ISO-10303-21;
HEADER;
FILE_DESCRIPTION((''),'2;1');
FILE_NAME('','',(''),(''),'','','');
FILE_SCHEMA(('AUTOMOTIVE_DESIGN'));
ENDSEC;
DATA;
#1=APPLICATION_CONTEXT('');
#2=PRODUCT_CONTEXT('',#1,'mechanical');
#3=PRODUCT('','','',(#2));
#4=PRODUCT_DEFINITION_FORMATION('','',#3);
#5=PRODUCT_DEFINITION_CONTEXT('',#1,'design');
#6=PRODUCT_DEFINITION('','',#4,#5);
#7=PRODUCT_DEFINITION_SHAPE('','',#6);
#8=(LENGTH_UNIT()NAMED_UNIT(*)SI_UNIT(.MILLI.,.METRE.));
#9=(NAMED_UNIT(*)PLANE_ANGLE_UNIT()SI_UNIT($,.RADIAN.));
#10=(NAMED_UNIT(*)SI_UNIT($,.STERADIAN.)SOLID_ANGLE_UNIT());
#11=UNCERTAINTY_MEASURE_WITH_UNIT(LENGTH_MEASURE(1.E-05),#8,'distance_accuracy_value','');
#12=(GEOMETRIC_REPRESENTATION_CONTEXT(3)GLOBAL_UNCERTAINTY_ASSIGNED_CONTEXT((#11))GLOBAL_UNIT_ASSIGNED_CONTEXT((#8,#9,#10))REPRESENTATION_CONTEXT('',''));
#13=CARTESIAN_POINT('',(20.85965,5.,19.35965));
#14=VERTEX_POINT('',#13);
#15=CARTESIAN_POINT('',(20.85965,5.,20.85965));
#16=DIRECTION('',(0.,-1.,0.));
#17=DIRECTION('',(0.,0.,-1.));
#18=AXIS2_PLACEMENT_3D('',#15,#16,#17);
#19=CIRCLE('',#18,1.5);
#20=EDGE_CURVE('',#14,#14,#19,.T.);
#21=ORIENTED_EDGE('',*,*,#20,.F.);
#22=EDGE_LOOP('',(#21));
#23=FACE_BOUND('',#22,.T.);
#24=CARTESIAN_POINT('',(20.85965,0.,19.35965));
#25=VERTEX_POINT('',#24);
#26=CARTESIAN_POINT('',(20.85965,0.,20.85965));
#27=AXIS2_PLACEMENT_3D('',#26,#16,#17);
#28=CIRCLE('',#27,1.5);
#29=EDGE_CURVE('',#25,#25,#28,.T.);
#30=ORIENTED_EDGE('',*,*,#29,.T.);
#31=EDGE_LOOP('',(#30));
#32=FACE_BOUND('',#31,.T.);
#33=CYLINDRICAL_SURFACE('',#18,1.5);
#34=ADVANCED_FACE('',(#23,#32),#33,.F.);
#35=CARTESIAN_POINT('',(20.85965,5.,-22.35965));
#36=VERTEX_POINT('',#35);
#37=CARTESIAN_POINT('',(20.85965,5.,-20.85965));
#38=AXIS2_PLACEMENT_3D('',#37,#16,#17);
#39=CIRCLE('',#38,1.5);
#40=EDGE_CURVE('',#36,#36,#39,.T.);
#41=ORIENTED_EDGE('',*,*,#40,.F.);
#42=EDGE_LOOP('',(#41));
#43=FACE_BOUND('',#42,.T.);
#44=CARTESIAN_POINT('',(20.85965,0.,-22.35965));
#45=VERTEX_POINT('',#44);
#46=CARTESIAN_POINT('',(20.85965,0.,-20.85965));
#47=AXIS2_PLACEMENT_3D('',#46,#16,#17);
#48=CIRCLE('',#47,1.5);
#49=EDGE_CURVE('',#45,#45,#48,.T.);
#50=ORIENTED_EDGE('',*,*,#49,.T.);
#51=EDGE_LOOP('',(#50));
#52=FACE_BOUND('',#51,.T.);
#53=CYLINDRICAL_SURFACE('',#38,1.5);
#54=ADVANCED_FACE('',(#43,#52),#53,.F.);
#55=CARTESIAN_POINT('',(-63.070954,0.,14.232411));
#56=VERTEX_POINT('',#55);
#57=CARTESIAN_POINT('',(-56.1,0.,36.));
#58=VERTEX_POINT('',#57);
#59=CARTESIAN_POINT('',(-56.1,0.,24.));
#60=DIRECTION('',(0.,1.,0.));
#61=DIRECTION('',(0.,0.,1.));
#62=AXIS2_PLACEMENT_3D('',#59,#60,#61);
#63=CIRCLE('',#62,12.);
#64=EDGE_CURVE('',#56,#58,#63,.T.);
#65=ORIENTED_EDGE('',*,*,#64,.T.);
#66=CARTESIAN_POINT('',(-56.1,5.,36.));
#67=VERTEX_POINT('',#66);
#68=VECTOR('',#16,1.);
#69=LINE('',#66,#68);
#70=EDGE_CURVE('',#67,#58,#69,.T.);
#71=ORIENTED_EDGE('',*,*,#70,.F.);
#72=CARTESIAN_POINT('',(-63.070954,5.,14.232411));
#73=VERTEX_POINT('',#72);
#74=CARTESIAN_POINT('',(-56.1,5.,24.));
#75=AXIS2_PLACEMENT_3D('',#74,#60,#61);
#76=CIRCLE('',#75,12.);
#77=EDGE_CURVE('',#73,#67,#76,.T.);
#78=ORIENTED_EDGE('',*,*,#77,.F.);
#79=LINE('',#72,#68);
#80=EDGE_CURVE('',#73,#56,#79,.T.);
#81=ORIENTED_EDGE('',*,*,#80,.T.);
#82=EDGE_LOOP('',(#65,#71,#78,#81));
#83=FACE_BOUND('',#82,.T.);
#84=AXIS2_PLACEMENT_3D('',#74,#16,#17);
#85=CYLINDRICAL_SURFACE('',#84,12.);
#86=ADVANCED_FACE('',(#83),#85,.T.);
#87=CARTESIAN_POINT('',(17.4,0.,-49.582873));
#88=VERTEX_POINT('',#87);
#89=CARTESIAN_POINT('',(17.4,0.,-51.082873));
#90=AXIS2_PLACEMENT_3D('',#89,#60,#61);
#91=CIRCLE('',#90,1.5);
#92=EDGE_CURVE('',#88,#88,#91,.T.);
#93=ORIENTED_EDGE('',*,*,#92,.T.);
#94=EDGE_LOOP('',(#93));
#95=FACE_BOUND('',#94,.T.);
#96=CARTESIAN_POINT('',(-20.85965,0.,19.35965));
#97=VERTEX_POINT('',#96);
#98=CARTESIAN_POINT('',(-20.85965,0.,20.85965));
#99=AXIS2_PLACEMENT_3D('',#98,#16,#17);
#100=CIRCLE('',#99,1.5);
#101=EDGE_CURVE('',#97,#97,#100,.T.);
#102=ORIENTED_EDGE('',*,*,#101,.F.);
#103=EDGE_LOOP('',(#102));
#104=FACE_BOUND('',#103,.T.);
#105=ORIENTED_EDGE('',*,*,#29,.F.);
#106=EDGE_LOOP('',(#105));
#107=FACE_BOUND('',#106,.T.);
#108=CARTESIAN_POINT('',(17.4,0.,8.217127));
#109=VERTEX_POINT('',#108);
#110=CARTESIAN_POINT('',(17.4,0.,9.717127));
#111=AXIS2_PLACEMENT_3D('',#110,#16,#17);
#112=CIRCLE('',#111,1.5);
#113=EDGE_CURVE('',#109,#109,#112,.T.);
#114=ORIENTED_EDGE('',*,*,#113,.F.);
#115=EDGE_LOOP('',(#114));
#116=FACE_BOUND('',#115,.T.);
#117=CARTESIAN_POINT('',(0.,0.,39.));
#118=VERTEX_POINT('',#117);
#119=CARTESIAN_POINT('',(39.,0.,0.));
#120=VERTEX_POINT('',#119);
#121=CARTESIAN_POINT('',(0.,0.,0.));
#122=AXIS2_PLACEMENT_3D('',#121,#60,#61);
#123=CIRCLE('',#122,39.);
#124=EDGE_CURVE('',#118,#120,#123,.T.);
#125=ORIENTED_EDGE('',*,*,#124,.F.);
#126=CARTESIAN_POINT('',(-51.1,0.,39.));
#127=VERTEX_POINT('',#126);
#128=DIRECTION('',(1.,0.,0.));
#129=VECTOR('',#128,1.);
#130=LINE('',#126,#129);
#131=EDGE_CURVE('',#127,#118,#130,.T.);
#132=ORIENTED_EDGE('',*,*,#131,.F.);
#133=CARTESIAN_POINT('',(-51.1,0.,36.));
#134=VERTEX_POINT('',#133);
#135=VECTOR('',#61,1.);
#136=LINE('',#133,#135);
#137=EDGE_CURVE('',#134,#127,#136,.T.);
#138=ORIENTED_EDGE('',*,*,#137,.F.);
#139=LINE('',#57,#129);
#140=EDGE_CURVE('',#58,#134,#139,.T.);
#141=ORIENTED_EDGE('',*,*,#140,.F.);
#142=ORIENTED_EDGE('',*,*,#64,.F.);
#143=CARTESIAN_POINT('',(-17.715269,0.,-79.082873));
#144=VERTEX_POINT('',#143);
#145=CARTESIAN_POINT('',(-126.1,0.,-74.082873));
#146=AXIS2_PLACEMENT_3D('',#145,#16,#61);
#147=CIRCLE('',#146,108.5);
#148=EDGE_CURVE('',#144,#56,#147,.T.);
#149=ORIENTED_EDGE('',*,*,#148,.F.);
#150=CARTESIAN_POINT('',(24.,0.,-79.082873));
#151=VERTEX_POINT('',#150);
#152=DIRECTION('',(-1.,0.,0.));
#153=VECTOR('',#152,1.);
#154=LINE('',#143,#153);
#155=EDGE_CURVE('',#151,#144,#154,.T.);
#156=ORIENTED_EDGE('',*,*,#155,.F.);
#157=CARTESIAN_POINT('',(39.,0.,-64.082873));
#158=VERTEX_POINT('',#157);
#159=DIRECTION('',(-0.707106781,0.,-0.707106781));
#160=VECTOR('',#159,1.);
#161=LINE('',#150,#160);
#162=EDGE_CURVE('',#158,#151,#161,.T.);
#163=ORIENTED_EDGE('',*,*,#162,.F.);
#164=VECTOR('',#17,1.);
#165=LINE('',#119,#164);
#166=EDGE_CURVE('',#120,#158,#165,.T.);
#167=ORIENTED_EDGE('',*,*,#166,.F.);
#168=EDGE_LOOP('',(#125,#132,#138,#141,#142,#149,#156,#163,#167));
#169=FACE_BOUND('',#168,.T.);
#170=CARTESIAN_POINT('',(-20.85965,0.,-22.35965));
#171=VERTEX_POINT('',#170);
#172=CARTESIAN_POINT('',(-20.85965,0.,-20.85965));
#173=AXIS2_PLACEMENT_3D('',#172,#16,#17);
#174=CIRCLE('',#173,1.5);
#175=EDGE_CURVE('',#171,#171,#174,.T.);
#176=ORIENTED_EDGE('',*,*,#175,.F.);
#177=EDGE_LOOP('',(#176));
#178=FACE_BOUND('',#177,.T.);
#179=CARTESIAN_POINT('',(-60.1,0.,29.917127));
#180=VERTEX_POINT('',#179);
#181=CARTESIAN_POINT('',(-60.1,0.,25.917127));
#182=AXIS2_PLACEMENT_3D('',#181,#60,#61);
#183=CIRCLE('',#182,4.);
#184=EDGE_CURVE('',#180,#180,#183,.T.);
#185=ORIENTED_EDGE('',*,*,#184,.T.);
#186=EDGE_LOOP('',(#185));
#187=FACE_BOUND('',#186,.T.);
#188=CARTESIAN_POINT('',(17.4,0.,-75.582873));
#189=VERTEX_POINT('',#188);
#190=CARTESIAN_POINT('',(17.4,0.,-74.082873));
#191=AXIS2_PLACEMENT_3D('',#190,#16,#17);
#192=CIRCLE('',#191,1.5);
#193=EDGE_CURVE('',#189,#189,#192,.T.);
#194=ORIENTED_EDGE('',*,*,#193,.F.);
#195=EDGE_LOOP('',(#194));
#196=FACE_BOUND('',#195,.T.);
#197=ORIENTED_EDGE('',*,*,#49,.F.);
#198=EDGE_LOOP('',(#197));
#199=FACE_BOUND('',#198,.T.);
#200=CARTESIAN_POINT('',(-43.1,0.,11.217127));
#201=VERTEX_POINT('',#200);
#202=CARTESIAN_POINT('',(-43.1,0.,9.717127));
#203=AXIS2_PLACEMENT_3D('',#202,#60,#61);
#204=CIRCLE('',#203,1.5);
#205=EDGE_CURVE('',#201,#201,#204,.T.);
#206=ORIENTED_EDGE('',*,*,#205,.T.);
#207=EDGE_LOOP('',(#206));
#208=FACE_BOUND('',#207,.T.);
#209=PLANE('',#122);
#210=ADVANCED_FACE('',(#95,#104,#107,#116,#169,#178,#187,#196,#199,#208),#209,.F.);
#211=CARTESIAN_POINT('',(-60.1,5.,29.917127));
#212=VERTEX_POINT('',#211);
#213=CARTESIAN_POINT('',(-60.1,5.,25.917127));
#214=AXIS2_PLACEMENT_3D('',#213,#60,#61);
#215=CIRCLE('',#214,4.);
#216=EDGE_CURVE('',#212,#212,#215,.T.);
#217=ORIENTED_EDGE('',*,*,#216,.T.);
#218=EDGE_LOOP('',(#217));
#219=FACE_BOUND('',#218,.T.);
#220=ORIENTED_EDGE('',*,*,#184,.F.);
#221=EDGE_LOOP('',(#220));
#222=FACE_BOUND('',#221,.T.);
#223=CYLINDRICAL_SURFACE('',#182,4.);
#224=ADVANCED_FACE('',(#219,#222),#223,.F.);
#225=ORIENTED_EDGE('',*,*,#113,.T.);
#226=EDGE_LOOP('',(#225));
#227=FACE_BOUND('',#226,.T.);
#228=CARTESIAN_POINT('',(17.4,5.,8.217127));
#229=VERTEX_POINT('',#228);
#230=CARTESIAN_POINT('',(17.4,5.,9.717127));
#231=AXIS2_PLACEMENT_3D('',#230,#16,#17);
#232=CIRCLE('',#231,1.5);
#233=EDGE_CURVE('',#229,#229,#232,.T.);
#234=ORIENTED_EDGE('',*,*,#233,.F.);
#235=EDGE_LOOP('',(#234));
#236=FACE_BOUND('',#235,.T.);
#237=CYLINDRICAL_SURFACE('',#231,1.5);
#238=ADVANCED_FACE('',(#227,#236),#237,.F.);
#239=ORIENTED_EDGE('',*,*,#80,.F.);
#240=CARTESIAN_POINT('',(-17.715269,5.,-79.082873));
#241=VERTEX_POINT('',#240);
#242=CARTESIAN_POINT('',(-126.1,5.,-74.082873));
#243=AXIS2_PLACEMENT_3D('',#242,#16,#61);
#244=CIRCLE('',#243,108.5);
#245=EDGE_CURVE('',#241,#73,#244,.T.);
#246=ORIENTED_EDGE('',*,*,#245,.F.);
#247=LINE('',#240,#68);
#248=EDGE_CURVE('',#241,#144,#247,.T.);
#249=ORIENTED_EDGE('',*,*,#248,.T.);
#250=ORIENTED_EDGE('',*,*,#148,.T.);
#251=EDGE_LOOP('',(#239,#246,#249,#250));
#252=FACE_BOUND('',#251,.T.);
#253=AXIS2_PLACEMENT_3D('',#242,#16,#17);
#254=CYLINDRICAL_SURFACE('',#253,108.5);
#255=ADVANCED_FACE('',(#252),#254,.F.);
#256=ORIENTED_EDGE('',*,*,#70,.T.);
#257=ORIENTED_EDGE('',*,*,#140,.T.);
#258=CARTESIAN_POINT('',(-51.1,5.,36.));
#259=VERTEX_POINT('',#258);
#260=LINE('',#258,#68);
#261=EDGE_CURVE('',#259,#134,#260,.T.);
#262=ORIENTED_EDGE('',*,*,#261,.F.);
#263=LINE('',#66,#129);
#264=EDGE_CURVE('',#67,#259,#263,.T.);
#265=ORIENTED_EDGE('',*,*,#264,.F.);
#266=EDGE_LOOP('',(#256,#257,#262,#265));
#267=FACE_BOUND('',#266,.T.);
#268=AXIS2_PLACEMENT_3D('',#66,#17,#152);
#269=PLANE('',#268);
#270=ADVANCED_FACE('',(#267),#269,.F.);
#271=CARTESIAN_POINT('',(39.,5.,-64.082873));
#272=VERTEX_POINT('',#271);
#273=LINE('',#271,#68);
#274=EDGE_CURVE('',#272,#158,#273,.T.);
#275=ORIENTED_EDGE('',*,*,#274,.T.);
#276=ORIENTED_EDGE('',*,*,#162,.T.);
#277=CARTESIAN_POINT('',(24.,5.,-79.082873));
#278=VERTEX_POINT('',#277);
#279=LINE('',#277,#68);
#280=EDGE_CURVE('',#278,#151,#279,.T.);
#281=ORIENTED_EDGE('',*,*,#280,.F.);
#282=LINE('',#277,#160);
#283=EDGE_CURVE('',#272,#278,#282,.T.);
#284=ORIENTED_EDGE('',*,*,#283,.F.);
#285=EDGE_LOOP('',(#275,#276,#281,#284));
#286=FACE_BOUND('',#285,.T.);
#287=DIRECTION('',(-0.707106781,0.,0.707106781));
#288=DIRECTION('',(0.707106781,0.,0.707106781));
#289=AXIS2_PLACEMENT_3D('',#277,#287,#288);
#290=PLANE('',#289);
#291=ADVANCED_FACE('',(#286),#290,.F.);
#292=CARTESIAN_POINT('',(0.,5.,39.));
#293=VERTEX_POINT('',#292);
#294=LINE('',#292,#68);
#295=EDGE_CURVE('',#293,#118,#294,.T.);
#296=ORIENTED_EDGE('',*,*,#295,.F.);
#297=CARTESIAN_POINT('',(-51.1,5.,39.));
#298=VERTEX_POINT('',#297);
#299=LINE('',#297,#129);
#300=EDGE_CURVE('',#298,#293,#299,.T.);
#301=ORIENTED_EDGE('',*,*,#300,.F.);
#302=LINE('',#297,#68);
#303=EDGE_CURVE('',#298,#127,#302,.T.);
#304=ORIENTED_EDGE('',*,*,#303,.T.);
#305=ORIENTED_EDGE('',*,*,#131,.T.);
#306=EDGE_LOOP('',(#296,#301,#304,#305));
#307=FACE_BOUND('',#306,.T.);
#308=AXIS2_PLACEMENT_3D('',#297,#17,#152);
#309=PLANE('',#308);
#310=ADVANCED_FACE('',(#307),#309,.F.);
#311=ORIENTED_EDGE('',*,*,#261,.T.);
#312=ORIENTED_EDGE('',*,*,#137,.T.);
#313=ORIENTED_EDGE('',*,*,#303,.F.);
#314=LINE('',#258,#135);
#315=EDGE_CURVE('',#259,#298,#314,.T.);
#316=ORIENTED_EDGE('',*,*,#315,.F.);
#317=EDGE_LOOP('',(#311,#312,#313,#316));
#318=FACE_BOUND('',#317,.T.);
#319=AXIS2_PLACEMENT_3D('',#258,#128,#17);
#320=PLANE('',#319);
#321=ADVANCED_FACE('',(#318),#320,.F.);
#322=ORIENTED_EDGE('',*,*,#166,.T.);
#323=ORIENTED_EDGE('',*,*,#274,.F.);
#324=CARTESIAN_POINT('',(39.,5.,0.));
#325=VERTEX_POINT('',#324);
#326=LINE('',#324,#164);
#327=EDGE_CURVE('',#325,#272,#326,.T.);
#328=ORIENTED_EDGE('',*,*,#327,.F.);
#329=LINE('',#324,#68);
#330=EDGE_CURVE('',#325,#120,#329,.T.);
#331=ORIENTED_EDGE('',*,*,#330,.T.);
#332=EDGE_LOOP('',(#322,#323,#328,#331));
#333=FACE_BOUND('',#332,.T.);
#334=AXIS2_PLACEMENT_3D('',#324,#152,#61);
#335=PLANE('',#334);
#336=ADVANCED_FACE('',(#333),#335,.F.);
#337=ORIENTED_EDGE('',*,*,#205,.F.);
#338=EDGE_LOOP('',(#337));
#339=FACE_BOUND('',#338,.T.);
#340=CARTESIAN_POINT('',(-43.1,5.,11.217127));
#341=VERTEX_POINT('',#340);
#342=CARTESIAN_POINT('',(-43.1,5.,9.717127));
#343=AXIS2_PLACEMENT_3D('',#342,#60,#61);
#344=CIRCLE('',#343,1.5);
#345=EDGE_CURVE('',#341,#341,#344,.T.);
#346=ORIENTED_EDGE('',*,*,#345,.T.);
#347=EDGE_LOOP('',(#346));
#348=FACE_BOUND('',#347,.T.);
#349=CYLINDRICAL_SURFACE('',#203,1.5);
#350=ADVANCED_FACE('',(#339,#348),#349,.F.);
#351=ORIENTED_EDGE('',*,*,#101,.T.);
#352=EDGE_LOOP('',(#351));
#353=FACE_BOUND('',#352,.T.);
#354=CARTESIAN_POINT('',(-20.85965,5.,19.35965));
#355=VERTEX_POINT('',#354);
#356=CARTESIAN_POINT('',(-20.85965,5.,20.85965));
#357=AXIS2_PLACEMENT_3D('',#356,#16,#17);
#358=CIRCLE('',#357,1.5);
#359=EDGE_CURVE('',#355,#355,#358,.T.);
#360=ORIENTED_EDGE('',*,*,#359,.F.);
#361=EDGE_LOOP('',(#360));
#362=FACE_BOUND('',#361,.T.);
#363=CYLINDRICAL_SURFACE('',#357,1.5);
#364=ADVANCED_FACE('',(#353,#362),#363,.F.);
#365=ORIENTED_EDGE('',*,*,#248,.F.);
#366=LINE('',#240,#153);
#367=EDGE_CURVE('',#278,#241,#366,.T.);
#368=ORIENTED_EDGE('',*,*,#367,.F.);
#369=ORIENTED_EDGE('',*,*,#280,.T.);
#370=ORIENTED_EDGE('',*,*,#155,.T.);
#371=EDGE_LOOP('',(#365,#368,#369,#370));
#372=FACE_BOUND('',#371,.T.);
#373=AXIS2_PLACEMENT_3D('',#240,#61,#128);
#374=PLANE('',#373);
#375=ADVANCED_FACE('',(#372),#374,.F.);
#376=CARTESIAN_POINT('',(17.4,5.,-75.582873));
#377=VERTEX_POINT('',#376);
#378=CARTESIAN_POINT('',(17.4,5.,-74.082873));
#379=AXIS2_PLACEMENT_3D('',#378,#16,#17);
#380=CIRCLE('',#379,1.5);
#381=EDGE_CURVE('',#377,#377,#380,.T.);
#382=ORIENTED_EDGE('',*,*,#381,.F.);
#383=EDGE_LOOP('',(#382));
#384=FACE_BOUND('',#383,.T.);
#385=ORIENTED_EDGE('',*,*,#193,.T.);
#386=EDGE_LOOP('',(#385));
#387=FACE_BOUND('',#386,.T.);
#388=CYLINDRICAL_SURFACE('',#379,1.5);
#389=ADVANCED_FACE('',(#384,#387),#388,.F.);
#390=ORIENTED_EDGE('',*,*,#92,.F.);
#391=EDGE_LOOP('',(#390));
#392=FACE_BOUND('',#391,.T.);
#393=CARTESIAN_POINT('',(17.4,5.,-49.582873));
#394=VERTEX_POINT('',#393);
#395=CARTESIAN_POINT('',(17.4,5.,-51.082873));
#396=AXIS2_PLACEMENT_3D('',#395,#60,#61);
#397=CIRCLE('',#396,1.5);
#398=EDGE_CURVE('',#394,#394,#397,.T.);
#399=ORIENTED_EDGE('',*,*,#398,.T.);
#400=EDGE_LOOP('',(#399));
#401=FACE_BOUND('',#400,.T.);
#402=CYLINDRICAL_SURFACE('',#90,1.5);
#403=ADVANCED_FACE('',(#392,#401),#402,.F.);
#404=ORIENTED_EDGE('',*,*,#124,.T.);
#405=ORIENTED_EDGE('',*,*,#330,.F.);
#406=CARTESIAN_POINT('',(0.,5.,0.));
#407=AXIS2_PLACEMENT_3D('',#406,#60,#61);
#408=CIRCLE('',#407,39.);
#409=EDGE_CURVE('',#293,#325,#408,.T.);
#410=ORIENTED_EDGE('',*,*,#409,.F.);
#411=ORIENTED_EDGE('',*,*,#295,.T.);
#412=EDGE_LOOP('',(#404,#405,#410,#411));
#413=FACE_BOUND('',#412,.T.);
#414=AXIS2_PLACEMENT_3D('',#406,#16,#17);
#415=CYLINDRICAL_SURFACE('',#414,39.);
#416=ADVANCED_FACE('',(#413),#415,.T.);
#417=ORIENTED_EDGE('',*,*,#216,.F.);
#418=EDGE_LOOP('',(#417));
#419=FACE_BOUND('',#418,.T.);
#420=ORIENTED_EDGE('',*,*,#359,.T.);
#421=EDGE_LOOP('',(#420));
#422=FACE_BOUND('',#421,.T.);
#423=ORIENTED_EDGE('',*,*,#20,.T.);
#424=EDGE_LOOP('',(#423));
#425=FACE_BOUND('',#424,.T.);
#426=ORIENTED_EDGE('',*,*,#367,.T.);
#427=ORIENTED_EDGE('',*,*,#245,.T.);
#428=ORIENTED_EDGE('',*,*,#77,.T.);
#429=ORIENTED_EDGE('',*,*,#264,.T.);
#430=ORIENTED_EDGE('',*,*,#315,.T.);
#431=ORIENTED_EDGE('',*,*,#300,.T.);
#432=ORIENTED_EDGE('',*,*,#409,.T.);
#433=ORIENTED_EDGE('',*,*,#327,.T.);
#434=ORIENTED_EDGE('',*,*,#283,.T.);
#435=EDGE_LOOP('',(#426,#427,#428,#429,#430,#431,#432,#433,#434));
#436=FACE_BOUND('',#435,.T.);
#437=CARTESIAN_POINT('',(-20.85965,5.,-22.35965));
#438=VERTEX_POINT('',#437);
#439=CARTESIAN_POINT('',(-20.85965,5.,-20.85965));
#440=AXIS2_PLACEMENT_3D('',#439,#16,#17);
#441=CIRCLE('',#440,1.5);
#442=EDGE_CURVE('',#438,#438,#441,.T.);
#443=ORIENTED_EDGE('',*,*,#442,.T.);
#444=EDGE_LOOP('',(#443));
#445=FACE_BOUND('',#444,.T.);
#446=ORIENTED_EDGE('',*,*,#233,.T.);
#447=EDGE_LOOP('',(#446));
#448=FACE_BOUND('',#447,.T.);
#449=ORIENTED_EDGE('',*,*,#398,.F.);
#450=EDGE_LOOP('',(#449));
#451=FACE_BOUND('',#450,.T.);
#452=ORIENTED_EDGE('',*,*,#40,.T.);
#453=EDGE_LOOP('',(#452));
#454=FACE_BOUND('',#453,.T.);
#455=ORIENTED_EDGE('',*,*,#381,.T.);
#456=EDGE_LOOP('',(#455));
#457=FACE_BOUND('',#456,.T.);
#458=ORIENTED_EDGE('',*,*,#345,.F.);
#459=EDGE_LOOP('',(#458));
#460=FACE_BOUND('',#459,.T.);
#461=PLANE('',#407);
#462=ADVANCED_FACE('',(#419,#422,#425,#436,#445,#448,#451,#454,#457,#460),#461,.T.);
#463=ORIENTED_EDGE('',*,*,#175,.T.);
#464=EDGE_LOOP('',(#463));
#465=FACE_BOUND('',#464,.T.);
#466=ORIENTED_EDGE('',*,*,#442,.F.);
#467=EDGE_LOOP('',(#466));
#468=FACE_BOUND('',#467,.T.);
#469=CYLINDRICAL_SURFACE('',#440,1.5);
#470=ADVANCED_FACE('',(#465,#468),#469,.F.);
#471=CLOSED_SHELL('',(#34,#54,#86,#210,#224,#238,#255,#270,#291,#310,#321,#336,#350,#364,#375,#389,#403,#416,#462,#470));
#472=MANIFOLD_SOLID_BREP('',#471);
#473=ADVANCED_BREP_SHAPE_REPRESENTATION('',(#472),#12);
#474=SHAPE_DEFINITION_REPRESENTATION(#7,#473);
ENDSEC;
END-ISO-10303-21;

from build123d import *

# Parameters (mm, degrees)
BOSS_EXTRU_1_DEPTH      = 5
ESQUISSE2_R             = 1.5
ENL_V_MAT_EXTRU_1_DEPTH = 6
ESQUISSE3_R             = 1.5
ENL_V_MAT_EXTRU_2_DEPTH = 6
ESQUISSE4_R             = 4
ENL_V_MAT_EXTRU_3_DEPTH = 6


with BuildPart() as part:
    # Esquisse1 → Boss.-Extru.1 (new body)
    with BuildSketch(Plane(origin=(0, 0, 0), x_dir=(1, 0, 0), z_dir=(0, 1, 0))):
        with BuildLine():
            Line((-51.1, -39), (0, -39))
            ThreePointArc((0, -39), (27.577164466, -27.577164466), (39, 0))
            Line((39, 0), (39, 64.082873123))
            Line((39, 64.082873123), (24, 79.082873123))
            Line((24, 79.082873123), (-17.715268603, 79.082873123))
            ThreePointArc((-17.715268603, 79.082873123), (-28.51615758, 26.652464115), (-63.070954357, -14.232410975))
            ThreePointArc((-63.070954357, -14.232410975), (-67.528277829, -27.659845058), (-56.1, -36))
            Line((-56.1, -36), (-51.1, -36))
            Line((-51.1, -36), (-51.1, -39))
        make_face()
    extrude(amount=BOSS_EXTRU_1_DEPTH)

    # Esquisse2 → Enlèv. mat.-Extru.1 (cut, through all)
    with BuildSketch(Plane.XZ):
        with Locations((20.859650045, 20.859650045)):
            Circle(ESQUISSE2_R)
        with Locations((20.859650045, -20.859650045)):
            Circle(ESQUISSE2_R)
        with Locations((-20.859650045, -20.859650045)):
            Circle(ESQUISSE2_R)
        with Locations((-20.859650045, 20.859650045)):
            Circle(ESQUISSE2_R)
        with Locations((17.4, -74.082873123)):
            Circle(ESQUISSE2_R)
        with Locations((17.4, 9.717126877)):
            Circle(ESQUISSE2_R)
    extrude(amount=-ENL_V_MAT_EXTRU_1_DEPTH, mode=Mode.SUBTRACT)

    # Esquisse3 → Enlèv. mat.-Extru.2 (cut, through all)
    with BuildSketch(Plane(origin=(0, 5, 0), x_dir=(1, 0, 0), z_dir=(0, 1, 0))):
        with Locations((17.4, 51.082873123)):
            Circle(ESQUISSE3_R)
        with Locations((-43.1, -9.717126877)):
            Circle(ESQUISSE3_R)
    extrude(amount=-ENL_V_MAT_EXTRU_2_DEPTH, mode=Mode.SUBTRACT)

    # Esquisse4 → Enlèv. mat.-Extru.3 (cut, through all)
    with BuildSketch(Plane(origin=(0, 5, 0), x_dir=(1, 0, 0), z_dir=(0, 1, 0))):
        with Locations((-60.1, -25.917126877)):
            Circle(ESQUISSE4_R)
    extrude(amount=-ENL_V_MAT_EXTRU_3_DEPTH, mode=Mode.SUBTRACT)


solid = part.part
